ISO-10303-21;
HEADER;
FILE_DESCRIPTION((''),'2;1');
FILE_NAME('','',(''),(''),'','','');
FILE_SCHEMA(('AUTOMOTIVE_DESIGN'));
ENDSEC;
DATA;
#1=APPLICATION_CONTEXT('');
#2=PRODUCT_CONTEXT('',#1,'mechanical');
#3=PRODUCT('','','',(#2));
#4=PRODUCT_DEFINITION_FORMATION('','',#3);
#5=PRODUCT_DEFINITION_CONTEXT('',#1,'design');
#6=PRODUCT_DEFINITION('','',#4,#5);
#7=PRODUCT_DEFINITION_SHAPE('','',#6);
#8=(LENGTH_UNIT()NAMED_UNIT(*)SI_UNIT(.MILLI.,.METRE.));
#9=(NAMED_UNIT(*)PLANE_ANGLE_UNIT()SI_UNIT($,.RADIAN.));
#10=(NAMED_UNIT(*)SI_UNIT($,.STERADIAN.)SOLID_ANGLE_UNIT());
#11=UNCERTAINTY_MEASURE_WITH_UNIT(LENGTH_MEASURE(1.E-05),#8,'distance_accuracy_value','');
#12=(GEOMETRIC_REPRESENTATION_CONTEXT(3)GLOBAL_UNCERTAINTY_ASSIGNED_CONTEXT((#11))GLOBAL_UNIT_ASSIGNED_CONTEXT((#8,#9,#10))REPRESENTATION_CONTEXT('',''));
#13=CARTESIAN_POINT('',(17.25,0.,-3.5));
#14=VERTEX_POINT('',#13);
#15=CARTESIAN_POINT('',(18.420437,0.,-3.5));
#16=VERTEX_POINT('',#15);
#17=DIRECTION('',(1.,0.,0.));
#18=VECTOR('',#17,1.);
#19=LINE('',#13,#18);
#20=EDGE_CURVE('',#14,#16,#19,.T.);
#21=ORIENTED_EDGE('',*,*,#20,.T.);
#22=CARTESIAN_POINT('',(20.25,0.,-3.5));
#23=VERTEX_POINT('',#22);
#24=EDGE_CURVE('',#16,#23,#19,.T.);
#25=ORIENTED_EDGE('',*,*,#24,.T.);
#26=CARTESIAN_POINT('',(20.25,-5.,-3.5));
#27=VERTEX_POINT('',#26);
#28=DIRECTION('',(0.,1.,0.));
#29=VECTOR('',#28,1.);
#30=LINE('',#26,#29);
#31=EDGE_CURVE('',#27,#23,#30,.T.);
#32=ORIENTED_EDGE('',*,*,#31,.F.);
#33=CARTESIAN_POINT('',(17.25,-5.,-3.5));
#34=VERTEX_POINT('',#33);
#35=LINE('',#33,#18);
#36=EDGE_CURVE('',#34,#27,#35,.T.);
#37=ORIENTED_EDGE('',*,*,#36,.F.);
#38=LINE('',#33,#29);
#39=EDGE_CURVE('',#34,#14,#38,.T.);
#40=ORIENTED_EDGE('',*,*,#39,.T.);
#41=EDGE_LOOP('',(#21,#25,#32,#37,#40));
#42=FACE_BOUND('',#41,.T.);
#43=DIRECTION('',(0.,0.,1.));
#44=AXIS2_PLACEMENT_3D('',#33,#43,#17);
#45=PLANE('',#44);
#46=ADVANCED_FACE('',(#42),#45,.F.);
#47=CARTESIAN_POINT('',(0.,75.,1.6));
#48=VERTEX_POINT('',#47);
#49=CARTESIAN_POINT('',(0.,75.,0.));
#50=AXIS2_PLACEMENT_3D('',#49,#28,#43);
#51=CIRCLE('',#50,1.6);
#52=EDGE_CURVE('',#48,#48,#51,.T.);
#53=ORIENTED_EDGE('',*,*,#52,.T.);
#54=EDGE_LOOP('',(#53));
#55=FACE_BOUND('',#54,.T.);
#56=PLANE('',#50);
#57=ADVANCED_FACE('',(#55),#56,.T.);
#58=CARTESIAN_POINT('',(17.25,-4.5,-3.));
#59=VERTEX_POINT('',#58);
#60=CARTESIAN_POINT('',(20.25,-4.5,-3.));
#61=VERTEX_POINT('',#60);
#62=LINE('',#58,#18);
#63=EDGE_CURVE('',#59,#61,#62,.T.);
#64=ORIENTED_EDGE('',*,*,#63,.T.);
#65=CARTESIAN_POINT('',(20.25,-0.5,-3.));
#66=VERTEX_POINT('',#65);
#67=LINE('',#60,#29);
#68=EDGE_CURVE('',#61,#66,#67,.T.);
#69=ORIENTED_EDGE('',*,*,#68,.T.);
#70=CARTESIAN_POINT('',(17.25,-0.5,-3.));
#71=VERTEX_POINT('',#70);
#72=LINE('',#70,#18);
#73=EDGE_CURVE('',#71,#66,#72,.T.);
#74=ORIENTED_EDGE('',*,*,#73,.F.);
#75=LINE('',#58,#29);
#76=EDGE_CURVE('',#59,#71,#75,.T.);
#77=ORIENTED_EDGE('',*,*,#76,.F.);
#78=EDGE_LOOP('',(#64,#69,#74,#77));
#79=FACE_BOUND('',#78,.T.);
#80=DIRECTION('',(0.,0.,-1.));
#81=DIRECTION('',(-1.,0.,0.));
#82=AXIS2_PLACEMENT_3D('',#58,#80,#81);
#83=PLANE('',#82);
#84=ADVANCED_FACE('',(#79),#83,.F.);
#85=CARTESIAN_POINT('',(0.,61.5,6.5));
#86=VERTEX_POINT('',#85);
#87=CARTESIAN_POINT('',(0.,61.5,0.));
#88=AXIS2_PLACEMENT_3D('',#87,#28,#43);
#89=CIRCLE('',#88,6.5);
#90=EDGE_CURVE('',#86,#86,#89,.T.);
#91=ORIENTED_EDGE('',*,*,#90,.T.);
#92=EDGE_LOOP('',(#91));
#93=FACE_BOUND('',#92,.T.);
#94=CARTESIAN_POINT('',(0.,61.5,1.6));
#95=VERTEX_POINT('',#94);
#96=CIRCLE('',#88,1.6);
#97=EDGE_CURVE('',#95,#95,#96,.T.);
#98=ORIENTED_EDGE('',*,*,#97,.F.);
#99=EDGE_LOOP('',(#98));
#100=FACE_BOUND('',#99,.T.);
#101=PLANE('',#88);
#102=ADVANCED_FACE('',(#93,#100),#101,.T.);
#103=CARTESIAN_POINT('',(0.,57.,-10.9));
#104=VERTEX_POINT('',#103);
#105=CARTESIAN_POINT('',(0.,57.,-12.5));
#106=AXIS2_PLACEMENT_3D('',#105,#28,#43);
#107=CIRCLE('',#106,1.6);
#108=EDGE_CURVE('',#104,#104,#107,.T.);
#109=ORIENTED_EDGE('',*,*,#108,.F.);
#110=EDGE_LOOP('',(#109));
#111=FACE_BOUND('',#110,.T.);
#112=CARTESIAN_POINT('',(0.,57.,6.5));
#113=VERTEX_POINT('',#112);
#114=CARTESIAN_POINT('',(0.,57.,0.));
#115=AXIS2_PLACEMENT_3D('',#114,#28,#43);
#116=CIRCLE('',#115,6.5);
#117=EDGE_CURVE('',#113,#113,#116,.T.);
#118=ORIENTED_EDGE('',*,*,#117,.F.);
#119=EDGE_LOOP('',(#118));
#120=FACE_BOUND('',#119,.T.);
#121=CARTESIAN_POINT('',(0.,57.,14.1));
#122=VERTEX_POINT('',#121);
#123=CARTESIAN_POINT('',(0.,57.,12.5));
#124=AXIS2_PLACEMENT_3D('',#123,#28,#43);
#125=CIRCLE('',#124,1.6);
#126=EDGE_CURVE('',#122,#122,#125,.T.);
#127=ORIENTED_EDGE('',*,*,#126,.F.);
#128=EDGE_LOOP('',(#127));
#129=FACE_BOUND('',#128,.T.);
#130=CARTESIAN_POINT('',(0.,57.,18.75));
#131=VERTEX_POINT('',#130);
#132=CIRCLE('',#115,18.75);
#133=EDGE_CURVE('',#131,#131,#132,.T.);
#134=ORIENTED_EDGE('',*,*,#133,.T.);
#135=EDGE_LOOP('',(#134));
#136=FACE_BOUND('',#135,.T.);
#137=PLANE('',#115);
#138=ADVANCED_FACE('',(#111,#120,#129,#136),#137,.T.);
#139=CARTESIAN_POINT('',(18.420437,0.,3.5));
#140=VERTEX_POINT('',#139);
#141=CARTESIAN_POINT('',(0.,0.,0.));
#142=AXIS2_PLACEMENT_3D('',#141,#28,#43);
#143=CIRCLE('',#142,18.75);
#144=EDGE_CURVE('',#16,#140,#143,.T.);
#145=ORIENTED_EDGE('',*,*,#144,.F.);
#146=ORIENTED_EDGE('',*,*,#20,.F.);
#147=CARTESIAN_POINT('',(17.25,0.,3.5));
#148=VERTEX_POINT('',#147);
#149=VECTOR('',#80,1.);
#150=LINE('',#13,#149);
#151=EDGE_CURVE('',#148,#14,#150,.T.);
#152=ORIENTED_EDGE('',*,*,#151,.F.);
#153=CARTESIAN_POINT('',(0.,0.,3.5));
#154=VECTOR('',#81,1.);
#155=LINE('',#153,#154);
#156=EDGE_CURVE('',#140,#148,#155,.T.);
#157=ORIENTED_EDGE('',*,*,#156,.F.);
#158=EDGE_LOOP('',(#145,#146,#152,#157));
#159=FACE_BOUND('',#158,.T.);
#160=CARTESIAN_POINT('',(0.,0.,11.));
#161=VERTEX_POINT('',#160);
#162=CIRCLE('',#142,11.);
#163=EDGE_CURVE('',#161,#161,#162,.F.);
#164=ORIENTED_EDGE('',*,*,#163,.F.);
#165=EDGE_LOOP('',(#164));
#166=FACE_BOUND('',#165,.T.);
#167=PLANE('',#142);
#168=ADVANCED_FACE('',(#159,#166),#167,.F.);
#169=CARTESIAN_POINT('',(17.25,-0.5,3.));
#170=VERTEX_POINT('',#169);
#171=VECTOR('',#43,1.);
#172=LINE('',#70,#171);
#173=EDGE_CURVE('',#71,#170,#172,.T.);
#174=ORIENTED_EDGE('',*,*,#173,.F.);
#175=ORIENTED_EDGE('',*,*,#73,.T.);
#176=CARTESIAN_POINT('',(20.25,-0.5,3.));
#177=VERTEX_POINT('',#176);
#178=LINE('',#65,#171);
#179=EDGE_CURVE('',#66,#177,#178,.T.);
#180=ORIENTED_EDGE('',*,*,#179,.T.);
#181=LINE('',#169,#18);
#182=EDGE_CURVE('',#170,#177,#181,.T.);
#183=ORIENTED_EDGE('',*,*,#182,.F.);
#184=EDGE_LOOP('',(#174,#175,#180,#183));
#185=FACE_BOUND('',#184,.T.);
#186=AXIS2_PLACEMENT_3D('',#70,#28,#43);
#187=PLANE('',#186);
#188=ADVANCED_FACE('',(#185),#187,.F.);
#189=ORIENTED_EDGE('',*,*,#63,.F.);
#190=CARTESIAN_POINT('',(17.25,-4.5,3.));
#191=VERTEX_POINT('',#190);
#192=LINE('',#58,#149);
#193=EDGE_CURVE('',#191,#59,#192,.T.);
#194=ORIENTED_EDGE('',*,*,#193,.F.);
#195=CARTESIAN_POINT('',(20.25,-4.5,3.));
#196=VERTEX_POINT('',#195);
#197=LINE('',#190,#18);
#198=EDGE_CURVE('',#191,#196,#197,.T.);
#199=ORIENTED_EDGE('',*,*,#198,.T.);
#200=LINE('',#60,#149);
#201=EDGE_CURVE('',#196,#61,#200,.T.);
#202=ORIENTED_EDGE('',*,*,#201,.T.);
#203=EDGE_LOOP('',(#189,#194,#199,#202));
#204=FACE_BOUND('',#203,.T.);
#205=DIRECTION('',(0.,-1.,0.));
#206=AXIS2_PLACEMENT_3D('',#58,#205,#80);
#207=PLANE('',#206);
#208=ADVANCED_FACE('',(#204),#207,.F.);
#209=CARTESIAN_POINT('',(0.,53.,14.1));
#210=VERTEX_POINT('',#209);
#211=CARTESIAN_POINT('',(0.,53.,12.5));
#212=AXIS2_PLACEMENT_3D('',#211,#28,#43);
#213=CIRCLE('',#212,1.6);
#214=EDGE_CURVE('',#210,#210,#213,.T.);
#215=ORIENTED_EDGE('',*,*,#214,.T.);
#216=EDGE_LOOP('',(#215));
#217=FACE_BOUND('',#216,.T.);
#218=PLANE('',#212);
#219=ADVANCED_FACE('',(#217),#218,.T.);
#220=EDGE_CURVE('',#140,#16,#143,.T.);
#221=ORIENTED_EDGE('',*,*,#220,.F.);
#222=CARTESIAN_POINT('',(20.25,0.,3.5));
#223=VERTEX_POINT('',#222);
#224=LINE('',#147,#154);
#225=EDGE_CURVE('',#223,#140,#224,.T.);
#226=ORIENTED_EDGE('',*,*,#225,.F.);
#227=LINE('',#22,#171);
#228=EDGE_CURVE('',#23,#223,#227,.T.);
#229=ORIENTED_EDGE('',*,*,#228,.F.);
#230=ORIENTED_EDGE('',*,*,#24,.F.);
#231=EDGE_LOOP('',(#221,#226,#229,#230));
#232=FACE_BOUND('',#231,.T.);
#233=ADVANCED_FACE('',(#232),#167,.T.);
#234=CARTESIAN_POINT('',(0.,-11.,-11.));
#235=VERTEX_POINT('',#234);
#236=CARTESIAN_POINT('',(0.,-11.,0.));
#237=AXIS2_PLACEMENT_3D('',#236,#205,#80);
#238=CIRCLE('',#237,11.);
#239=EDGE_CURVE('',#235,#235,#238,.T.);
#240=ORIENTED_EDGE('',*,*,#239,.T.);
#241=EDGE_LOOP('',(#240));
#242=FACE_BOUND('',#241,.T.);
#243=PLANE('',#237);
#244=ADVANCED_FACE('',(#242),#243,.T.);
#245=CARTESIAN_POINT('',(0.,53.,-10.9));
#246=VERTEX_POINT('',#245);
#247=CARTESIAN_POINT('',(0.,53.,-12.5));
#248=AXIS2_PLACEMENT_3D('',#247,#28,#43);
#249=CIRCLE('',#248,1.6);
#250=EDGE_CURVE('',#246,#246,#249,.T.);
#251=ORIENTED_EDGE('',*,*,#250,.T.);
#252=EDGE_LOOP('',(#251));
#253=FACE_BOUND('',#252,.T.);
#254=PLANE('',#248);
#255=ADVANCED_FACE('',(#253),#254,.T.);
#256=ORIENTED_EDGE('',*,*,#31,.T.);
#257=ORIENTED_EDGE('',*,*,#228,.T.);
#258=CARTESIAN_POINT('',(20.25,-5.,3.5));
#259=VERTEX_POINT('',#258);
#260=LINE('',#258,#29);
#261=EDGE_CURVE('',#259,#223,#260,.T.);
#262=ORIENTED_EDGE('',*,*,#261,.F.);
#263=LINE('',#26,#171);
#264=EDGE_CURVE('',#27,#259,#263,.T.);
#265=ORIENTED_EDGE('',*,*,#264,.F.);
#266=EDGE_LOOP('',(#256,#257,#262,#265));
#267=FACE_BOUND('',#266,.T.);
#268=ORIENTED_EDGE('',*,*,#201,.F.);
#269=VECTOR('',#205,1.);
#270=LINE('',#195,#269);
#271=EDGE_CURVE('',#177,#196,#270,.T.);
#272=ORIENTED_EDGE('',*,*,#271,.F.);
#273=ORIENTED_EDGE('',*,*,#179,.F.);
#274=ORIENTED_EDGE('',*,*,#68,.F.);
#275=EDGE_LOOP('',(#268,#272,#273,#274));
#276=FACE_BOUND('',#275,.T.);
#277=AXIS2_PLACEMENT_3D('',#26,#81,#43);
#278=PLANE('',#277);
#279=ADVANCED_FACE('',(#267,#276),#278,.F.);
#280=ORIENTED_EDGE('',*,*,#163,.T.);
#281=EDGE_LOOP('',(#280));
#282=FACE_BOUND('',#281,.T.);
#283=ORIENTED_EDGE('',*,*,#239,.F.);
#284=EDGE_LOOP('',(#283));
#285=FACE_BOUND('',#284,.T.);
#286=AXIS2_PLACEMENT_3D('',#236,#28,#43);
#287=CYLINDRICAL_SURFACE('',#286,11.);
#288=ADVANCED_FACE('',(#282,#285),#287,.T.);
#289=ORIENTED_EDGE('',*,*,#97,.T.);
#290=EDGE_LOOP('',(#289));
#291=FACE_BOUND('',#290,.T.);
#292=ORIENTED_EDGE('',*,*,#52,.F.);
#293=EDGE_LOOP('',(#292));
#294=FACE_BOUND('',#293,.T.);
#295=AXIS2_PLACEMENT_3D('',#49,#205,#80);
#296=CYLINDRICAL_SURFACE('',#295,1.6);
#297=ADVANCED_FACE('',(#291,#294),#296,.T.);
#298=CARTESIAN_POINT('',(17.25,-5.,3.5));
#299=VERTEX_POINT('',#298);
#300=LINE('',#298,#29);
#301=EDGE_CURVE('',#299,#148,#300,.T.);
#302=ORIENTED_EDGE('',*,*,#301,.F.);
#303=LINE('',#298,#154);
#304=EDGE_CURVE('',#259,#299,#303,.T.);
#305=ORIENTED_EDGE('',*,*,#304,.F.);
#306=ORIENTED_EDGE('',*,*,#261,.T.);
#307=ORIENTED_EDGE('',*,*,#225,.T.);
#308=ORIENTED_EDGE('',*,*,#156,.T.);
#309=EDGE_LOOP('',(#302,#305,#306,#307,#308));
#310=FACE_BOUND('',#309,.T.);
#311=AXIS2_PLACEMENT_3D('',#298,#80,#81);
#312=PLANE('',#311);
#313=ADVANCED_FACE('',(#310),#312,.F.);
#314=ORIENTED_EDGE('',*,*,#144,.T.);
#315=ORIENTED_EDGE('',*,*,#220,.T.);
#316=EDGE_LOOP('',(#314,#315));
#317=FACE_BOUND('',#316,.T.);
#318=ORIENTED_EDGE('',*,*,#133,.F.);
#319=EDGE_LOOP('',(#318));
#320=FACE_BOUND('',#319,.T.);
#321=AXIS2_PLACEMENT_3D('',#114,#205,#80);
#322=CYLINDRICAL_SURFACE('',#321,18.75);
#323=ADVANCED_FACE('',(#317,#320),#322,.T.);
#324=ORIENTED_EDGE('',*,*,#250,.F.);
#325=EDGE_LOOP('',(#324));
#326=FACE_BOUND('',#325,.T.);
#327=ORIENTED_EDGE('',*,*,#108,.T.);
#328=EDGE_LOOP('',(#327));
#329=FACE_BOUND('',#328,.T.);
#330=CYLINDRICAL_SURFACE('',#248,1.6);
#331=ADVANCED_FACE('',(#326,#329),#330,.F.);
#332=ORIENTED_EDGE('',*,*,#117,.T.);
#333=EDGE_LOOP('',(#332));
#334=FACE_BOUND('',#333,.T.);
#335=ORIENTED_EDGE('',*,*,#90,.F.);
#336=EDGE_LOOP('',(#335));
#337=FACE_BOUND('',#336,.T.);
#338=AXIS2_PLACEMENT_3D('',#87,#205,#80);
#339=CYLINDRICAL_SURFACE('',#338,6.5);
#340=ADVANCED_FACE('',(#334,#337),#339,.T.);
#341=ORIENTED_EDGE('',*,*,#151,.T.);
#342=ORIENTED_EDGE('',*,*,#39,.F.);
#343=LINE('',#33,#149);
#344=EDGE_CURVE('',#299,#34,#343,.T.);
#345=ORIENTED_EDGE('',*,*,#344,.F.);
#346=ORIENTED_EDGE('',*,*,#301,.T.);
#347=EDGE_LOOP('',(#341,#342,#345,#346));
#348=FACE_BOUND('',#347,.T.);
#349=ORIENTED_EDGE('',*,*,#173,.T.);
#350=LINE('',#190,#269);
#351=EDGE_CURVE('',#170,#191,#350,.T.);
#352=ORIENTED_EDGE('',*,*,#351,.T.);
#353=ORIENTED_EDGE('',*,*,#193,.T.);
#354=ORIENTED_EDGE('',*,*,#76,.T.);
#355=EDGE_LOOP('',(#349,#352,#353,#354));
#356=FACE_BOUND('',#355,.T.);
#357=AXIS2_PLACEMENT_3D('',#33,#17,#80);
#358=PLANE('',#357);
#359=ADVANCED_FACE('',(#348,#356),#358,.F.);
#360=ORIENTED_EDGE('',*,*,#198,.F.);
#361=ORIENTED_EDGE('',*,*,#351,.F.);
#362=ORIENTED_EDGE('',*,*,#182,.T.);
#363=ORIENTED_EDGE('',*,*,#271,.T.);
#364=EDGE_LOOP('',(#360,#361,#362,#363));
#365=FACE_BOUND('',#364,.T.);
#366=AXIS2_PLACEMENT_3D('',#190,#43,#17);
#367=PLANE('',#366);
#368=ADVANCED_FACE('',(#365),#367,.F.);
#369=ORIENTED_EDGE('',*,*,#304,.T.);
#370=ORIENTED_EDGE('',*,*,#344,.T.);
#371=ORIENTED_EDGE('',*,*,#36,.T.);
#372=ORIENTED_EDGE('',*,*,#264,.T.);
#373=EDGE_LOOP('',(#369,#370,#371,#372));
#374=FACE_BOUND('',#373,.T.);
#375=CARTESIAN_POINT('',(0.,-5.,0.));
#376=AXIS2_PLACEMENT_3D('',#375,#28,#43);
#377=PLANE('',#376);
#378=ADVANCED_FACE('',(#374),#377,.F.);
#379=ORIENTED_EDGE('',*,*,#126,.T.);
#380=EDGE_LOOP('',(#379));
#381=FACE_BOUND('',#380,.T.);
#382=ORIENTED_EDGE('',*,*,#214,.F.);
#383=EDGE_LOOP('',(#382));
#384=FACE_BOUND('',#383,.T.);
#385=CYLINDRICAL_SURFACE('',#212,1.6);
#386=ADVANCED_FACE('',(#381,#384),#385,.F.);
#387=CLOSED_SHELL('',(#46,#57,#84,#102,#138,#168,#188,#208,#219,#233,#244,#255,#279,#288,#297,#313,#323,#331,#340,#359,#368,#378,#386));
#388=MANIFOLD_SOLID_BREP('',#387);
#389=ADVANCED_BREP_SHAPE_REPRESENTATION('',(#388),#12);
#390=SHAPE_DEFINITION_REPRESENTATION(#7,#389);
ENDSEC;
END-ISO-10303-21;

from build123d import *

# Parameters (mm, degrees)
SKETCH_1_R          = 18.75
EXTRUDE_1_DEPTH     = 57
SKETCH_2_R          = 11
EXTRUDE_2_DEPTH     = 11
SKETCH_3_W          = 3
SKETCH_3_H          = 7
EXTRUDE_3_DEPTH     = 5
SKETCH_4_W          = 6
SKETCH_4_H          = 4
CUT_EXTRUDE_1_DEPTH = 3
SKETCH_5_R          = 6.5
EXTRUDE_4_DEPTH     = 4.5
SKETCH_6_R          = 1.6
CUT_EXTRUDE_2_DEPTH = 4
SKETCH_7_R          = 1.6
EXTRUDE_5_DEPTH     = 13.5


with BuildPart() as part:
    # 草图1 → 凸台-拉伸1 (new body)
    with BuildSketch(Plane(origin=(0, 0, 0), x_dir=(1, 0, 0), z_dir=(0, 1, 0))):
        with Locations(Location((0, 0, 0), (0, 0, 90))):
            Circle(SKETCH_1_R)
    extrude(amount=EXTRUDE_1_DEPTH)

    # 草图2 → 凸台-拉伸2 (add)
    with BuildSketch(Plane.XZ):
        with Locations(Location((0, 0, 0), (0, 0, 90))):
            Circle(SKETCH_2_R)
    extrude(amount=EXTRUDE_2_DEPTH)

    # 草图3 → 凸台-拉伸3 (add)
    with BuildSketch(Plane.XZ):
        with Locations((18.75, 0)):
            Rectangle(SKETCH_3_W, SKETCH_3_H)
    extrude(amount=EXTRUDE_3_DEPTH)

    # 草图4 → 切除-拉伸1 (cut)
    with BuildSketch(Plane(origin=(20.25, 0, 0), x_dir=(0, 0, -1), z_dir=(1, 0, 0))):
        with Locations((0, -2.5)):
            Rectangle(SKETCH_4_W, SKETCH_4_H)
    extrude(amount=-CUT_EXTRUDE_1_DEPTH, mode=Mode.SUBTRACT)

    # 草图5 → 凸台-拉伸4 (add)
    with BuildSketch(Plane(origin=(0, 57, 0), x_dir=(1, 0, 0), z_dir=(0, 1, 0))):
        with Locations(Location((0, 0, 0), (0, 0, 270))):
            Circle(SKETCH_5_R)
    extrude(amount=EXTRUDE_4_DEPTH)

    # 草图6 → 切除-拉伸2 (cut)
    with BuildSketch(Plane(origin=(0, 57, 0), x_dir=(1, 0, 0), z_dir=(0, 1, 0))):
        with Locations(Location((0, -12.5, 0), (0, 0, 270))):
            Circle(SKETCH_6_R)
        with Locations(Location((0, 12.5, 0), (0, 0, 270))):
            Circle(SKETCH_6_R)
    extrude(amount=-CUT_EXTRUDE_2_DEPTH, mode=Mode.SUBTRACT)

    # 草图7 → 凸台-拉伸5 (add)
    with BuildSketch(Plane(origin=(0, 61.5, 0), x_dir=(1, 0, 0), z_dir=(0, 1, 0))):
        with Locations(Location((0, 0, 0), (0, 0, 270))):
            Circle(SKETCH_7_R)
    extrude(amount=EXTRUDE_5_DEPTH)


solid = part.part
